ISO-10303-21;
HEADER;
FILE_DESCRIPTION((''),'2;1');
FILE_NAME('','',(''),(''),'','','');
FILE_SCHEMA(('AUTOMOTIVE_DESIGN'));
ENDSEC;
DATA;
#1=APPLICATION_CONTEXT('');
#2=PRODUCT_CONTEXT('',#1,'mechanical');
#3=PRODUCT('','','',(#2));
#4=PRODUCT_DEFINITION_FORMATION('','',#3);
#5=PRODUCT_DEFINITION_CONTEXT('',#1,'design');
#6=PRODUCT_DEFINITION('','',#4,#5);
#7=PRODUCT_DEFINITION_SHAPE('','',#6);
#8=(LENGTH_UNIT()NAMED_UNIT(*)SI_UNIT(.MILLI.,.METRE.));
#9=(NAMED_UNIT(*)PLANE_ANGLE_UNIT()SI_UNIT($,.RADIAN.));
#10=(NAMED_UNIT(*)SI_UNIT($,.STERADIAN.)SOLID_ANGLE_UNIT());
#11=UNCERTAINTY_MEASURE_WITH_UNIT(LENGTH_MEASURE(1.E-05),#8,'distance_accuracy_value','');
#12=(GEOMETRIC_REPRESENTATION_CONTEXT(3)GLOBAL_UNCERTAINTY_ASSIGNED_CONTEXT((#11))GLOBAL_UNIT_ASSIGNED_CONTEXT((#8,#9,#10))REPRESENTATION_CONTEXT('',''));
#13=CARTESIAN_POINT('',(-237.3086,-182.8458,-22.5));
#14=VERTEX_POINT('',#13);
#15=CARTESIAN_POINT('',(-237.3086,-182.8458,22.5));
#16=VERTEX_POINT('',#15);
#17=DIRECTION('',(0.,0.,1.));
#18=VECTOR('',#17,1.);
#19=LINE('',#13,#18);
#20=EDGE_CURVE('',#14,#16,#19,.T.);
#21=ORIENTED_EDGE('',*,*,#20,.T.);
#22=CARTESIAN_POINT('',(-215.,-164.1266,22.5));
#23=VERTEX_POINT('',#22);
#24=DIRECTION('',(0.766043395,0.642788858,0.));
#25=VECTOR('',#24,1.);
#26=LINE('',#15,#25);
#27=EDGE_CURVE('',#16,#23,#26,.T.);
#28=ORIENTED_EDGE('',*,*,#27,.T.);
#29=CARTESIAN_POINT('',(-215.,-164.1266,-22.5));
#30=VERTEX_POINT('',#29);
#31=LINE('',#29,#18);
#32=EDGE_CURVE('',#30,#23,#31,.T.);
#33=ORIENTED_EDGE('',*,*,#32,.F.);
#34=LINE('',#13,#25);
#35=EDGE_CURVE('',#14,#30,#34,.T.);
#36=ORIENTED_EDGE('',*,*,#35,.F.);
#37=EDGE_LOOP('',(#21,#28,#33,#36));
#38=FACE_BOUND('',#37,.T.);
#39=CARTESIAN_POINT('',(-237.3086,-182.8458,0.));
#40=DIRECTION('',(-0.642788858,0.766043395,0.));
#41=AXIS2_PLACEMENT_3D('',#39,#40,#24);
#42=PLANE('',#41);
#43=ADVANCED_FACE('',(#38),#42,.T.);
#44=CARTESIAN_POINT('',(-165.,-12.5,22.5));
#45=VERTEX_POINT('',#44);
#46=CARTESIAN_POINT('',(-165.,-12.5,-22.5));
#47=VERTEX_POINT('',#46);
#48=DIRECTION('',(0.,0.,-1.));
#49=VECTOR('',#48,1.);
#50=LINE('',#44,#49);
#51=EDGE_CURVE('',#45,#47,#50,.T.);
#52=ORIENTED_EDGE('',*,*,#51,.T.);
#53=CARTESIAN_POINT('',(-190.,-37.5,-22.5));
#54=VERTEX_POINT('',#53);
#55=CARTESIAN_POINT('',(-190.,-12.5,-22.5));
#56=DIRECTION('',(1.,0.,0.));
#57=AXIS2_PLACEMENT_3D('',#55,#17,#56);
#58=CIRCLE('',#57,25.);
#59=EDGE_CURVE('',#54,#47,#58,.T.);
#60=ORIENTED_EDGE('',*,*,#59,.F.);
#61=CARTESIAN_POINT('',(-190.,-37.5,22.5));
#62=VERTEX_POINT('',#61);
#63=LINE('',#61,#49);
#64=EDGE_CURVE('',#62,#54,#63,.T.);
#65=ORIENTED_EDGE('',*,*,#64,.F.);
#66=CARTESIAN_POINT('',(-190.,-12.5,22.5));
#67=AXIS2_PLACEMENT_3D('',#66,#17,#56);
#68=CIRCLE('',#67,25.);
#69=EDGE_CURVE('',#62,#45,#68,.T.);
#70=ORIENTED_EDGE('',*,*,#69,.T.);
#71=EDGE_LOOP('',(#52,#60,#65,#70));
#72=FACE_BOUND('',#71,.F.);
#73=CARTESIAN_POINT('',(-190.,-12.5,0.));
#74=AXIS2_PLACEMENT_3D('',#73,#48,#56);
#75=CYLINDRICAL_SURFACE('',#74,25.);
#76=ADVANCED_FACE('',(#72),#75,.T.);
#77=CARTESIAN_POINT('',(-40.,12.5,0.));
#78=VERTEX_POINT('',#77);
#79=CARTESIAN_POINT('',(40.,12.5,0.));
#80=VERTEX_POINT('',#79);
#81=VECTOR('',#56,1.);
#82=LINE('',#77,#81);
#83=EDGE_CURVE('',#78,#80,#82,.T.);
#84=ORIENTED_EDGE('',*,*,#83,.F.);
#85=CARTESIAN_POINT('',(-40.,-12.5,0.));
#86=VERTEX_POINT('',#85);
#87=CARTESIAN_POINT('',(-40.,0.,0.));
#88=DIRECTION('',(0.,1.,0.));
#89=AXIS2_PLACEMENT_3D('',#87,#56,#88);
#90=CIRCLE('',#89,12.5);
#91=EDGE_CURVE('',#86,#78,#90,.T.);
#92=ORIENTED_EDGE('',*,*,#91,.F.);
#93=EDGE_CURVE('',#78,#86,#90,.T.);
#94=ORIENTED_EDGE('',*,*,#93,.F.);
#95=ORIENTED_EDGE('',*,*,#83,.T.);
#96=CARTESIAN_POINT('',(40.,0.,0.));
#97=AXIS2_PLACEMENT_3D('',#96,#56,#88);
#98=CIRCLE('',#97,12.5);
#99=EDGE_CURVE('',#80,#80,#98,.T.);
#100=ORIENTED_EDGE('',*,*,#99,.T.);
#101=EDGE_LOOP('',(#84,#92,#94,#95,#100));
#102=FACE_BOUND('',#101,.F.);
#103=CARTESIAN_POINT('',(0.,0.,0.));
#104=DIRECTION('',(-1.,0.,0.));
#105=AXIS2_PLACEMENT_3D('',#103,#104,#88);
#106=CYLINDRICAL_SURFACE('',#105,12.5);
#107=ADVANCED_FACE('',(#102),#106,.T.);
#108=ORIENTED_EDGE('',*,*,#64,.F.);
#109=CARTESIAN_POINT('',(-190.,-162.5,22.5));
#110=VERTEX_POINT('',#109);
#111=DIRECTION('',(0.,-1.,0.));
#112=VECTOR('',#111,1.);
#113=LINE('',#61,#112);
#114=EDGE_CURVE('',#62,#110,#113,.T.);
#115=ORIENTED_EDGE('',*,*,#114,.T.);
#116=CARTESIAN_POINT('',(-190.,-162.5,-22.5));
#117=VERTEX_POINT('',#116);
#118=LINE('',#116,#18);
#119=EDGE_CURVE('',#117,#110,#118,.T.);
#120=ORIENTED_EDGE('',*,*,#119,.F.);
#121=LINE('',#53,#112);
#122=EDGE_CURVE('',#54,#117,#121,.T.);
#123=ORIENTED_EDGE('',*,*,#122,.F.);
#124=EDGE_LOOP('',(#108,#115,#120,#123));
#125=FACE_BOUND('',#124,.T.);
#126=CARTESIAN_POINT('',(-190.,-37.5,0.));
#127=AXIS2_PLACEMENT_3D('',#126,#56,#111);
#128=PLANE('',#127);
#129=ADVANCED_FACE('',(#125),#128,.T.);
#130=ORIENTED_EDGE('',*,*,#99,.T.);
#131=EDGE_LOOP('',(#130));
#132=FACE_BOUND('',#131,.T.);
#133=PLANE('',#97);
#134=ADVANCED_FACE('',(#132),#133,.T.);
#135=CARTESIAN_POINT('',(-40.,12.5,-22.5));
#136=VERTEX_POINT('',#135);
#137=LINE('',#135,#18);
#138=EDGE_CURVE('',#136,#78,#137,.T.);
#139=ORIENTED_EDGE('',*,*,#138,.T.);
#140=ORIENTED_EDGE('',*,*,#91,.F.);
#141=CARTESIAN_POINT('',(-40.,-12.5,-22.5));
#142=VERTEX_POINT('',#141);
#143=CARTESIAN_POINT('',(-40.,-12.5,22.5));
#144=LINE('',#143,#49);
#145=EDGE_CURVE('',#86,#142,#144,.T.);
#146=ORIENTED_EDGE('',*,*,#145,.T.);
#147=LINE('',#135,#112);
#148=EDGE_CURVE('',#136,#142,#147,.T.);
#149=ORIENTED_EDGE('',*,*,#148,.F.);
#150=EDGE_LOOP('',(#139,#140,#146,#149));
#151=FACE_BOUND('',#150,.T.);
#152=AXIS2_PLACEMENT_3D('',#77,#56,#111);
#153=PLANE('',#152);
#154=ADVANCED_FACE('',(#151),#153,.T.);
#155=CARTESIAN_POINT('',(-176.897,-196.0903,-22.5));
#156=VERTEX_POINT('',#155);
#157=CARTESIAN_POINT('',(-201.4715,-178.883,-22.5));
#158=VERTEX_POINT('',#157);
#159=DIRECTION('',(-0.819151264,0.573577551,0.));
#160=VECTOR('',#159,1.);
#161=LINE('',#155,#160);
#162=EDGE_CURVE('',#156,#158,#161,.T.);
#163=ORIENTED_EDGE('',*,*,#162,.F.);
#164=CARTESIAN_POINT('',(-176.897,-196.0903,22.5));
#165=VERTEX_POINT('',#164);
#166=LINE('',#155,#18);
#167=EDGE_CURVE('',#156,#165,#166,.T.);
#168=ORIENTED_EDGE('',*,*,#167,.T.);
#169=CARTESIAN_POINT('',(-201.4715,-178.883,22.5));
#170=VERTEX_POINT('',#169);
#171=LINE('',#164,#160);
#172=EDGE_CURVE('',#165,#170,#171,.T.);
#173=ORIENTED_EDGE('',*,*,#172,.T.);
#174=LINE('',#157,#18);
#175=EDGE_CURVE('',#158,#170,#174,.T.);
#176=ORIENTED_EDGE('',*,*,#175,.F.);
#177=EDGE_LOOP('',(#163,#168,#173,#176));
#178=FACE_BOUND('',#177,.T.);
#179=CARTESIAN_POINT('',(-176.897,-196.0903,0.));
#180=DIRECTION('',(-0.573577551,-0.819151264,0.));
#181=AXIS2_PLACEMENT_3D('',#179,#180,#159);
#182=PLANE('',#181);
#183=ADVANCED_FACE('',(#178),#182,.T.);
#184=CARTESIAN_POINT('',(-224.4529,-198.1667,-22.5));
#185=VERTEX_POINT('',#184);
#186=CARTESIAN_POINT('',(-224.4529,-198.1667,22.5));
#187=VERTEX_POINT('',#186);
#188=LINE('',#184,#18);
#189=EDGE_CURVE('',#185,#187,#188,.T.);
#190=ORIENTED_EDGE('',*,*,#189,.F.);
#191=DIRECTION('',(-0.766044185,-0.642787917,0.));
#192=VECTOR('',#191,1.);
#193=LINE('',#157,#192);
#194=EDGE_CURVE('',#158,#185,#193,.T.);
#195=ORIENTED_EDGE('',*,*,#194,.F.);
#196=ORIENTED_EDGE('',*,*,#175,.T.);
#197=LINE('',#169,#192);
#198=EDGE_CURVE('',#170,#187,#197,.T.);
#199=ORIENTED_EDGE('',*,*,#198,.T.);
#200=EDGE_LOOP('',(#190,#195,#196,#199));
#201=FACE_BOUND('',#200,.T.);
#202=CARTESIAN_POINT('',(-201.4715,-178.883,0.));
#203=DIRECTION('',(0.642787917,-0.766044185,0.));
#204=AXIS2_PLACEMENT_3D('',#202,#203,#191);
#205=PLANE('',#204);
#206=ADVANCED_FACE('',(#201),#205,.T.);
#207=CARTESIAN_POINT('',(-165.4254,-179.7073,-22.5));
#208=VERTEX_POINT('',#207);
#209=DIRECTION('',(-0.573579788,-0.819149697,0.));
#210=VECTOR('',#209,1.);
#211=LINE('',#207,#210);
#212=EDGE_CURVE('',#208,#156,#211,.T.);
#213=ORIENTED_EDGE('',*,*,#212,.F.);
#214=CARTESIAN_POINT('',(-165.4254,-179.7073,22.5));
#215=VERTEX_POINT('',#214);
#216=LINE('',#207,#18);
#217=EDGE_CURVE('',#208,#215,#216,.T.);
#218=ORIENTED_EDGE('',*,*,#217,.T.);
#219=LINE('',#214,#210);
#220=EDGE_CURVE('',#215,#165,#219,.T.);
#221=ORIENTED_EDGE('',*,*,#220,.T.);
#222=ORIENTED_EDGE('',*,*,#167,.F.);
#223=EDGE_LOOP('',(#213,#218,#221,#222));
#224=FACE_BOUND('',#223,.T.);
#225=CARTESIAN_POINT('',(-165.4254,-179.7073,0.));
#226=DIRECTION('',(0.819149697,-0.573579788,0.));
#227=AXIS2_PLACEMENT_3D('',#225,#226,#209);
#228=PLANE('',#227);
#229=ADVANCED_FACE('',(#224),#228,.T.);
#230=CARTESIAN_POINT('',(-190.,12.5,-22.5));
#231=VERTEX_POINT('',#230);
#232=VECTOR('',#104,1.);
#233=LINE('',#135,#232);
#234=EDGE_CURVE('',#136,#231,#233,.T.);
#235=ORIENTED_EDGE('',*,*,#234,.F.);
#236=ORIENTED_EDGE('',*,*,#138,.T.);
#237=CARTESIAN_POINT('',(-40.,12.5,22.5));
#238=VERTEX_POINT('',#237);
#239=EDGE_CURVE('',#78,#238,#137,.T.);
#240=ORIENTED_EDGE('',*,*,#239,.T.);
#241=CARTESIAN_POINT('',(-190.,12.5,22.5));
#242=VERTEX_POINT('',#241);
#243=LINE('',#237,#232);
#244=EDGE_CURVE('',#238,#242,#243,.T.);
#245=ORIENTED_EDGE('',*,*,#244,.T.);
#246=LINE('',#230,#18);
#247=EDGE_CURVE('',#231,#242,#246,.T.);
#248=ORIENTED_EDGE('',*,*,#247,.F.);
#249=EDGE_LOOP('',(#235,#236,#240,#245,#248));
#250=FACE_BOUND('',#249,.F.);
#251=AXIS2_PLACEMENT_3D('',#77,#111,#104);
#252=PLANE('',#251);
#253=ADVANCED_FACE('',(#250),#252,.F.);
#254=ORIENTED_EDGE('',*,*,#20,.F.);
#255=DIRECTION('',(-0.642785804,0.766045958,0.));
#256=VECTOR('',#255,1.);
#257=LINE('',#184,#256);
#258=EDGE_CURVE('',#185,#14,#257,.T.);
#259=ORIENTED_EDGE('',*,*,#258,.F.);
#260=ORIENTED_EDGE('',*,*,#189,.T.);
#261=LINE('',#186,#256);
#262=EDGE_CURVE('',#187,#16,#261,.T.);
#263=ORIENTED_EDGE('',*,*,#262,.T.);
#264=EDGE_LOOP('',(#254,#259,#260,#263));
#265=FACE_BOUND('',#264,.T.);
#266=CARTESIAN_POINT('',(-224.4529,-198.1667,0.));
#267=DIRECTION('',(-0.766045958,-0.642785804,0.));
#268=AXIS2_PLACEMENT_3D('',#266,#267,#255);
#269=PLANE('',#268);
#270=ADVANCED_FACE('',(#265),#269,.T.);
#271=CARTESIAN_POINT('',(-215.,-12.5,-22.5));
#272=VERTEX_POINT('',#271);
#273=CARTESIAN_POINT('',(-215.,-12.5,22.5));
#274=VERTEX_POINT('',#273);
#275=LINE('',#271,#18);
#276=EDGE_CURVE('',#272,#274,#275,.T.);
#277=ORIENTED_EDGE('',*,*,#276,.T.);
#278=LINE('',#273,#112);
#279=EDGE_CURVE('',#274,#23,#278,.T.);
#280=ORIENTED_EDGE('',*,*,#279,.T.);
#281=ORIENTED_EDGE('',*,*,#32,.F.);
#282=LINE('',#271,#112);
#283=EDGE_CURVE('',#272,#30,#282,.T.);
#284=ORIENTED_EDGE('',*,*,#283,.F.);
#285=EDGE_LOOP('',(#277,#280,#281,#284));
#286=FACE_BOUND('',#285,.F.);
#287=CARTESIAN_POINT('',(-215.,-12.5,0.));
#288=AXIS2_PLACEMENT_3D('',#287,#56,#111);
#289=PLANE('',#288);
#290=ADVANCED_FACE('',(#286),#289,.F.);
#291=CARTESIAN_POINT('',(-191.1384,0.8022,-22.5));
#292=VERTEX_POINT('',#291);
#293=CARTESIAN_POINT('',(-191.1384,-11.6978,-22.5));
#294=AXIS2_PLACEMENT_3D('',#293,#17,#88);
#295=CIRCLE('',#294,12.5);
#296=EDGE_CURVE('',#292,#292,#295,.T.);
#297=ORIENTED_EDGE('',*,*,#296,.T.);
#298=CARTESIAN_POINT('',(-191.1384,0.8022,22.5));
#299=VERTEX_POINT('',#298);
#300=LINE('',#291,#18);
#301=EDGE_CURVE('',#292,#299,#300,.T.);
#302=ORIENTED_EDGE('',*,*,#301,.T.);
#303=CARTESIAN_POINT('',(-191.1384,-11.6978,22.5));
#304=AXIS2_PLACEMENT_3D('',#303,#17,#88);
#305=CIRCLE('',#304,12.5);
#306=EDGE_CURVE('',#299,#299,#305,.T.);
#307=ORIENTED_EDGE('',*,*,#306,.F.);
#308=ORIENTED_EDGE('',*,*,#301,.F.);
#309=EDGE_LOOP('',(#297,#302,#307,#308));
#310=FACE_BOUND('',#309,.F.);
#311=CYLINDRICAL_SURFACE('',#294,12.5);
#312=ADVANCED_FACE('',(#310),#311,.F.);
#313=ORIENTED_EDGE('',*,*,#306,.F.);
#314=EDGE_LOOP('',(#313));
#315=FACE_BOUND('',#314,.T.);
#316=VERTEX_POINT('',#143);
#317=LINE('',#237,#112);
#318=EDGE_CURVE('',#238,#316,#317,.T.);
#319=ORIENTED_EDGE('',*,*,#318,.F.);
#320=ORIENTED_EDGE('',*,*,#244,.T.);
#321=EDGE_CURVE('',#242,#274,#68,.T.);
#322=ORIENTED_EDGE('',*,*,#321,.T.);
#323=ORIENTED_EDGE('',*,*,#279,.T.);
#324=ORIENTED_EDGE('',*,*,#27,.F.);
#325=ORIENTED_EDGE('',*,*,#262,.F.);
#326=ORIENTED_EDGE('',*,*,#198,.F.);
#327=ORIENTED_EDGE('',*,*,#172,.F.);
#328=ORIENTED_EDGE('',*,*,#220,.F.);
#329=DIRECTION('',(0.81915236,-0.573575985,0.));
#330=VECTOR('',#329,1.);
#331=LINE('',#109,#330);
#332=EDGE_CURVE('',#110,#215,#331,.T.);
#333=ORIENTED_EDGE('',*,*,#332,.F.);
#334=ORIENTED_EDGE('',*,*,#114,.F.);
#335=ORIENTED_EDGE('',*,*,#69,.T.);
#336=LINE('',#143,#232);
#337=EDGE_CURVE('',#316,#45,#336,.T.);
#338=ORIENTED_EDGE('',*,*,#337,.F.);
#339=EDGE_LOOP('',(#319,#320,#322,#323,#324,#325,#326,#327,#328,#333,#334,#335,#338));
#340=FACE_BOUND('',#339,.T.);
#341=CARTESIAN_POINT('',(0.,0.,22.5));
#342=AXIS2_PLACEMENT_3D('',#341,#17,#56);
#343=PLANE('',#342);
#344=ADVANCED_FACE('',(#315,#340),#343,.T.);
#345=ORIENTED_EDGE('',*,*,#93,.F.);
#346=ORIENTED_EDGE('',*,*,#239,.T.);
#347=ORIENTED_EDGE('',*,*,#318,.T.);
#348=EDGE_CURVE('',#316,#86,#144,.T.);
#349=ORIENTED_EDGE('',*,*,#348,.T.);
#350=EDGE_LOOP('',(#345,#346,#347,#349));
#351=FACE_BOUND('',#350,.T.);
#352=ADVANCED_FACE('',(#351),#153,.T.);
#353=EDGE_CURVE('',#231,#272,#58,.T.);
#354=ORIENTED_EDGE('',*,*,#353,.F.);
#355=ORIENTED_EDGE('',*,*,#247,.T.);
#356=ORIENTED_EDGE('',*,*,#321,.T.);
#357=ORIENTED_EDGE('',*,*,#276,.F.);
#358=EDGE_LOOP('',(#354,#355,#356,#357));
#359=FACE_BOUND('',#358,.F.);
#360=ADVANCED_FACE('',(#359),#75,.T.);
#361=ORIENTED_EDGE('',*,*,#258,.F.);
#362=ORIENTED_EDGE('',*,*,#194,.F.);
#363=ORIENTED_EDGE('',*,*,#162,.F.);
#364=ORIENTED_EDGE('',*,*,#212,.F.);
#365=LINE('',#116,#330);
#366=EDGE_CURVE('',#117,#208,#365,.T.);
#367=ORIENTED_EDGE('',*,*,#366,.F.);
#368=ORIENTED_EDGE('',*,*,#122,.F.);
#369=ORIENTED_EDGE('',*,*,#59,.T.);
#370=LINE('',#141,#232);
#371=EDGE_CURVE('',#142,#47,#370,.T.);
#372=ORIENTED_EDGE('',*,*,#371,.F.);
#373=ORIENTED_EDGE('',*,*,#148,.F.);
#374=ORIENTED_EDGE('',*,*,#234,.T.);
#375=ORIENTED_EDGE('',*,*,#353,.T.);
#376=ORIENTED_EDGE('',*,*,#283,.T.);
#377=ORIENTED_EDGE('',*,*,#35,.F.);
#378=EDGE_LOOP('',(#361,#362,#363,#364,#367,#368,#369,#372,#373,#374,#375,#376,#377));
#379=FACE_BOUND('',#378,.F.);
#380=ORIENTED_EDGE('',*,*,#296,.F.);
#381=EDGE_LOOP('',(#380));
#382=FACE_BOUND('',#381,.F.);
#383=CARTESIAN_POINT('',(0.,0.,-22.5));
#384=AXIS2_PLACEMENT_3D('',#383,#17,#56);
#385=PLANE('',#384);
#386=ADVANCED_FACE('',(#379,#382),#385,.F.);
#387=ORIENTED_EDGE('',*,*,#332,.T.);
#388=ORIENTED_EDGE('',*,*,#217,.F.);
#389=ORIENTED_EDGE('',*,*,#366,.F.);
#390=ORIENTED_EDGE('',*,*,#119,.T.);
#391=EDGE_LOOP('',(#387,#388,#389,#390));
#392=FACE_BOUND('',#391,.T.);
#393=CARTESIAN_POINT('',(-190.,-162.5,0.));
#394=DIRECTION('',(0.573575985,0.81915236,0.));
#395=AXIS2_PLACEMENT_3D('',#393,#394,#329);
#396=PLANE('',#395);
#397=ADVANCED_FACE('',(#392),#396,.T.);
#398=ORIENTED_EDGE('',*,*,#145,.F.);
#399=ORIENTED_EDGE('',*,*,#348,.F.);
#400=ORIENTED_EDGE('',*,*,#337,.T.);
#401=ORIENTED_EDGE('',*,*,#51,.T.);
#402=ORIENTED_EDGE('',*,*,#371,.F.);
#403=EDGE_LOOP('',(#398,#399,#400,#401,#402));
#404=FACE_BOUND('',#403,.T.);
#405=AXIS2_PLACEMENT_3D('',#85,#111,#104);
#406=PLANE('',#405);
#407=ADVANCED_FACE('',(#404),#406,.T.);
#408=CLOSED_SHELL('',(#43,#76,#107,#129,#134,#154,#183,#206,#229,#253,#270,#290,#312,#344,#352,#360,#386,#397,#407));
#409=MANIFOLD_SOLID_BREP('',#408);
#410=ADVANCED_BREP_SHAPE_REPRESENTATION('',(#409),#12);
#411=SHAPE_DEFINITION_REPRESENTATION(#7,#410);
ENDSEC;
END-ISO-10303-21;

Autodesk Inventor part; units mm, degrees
ref_plane "YZ Plane" through (0, 0, 0) normal (1, 0, 0) x (0, 1, 0)
ref_plane "XZ Plane" through (0, 0, 0) normal (0, 1, 0) x (-1, 0, 0)
ref_plane "XY Plane" through (0, 0, 0) normal (0, 0, 1) x (1, 0, 0)
sketch "Sketch1" plane through (0, 0, 0) normal (1, 0, 0) x (0, 1, 0)
  circle A0 centre (0, 0) radius 12.5
  dimension "d0" = 25
extrude "Extrusion1" add sketch "Sketch1" along normal mid plane 80
sketch "Sketch2" plane through (0, 0, 0) normal (0, 0, 1) x (1, 0, 0)
  line L0 (-40, 12.5) -> (-40, -12.5) projected
  line L1 (-40, 12.5) -> (-190, 12.5)
  line L2 (-40, -12.5) -> (-165, -12.5)
  circle A0 centre (-190, -12.5) radius 25
  line L3 (-215, -12.5) -> (-215, -164.1266)
  line L4 (-190, -37.5) -> (-190, -162.5)
  line L5 (-190, -162.5) -> (-165.4254, -179.7073)
  line L6 (-190, -162.5) -> (-160, -162.5) construction
  line L7 (-165.4254, -179.7073) -> (-176.897, -196.0903)
  line L8 (-176.897, -196.0903) -> (-201.4715, -178.883)
  line L9 (-201.4715, -178.883) -> (-224.4529, -198.1667)
  line L10 (-224.4529, -198.1667) -> (-237.3086, -182.8458)
  line L11 (-237.3086, -182.8458) -> (-215, -164.1266)
  point P0 (0, 0)
  point P1 (-165, -12.5)
  dimension "d3" = 150
  dimension "d4" = 125
extrude "Extrusion2" add sketch "Sketch2" along normal mid plane 45
sketch "Sketch3" plane through (0, 0, -22.5) normal (0, 0, -1) x (-1, 0, 0)
  circle A0 centre (191.1384, -11.6978) radius 12.5
  point P0 (0, 0)
hole "Hole1" at (-191.1384, -11.6978, -22.5) direction (0, 0, 1) diameter 25 depth 45
properties part number "Hand 4"
